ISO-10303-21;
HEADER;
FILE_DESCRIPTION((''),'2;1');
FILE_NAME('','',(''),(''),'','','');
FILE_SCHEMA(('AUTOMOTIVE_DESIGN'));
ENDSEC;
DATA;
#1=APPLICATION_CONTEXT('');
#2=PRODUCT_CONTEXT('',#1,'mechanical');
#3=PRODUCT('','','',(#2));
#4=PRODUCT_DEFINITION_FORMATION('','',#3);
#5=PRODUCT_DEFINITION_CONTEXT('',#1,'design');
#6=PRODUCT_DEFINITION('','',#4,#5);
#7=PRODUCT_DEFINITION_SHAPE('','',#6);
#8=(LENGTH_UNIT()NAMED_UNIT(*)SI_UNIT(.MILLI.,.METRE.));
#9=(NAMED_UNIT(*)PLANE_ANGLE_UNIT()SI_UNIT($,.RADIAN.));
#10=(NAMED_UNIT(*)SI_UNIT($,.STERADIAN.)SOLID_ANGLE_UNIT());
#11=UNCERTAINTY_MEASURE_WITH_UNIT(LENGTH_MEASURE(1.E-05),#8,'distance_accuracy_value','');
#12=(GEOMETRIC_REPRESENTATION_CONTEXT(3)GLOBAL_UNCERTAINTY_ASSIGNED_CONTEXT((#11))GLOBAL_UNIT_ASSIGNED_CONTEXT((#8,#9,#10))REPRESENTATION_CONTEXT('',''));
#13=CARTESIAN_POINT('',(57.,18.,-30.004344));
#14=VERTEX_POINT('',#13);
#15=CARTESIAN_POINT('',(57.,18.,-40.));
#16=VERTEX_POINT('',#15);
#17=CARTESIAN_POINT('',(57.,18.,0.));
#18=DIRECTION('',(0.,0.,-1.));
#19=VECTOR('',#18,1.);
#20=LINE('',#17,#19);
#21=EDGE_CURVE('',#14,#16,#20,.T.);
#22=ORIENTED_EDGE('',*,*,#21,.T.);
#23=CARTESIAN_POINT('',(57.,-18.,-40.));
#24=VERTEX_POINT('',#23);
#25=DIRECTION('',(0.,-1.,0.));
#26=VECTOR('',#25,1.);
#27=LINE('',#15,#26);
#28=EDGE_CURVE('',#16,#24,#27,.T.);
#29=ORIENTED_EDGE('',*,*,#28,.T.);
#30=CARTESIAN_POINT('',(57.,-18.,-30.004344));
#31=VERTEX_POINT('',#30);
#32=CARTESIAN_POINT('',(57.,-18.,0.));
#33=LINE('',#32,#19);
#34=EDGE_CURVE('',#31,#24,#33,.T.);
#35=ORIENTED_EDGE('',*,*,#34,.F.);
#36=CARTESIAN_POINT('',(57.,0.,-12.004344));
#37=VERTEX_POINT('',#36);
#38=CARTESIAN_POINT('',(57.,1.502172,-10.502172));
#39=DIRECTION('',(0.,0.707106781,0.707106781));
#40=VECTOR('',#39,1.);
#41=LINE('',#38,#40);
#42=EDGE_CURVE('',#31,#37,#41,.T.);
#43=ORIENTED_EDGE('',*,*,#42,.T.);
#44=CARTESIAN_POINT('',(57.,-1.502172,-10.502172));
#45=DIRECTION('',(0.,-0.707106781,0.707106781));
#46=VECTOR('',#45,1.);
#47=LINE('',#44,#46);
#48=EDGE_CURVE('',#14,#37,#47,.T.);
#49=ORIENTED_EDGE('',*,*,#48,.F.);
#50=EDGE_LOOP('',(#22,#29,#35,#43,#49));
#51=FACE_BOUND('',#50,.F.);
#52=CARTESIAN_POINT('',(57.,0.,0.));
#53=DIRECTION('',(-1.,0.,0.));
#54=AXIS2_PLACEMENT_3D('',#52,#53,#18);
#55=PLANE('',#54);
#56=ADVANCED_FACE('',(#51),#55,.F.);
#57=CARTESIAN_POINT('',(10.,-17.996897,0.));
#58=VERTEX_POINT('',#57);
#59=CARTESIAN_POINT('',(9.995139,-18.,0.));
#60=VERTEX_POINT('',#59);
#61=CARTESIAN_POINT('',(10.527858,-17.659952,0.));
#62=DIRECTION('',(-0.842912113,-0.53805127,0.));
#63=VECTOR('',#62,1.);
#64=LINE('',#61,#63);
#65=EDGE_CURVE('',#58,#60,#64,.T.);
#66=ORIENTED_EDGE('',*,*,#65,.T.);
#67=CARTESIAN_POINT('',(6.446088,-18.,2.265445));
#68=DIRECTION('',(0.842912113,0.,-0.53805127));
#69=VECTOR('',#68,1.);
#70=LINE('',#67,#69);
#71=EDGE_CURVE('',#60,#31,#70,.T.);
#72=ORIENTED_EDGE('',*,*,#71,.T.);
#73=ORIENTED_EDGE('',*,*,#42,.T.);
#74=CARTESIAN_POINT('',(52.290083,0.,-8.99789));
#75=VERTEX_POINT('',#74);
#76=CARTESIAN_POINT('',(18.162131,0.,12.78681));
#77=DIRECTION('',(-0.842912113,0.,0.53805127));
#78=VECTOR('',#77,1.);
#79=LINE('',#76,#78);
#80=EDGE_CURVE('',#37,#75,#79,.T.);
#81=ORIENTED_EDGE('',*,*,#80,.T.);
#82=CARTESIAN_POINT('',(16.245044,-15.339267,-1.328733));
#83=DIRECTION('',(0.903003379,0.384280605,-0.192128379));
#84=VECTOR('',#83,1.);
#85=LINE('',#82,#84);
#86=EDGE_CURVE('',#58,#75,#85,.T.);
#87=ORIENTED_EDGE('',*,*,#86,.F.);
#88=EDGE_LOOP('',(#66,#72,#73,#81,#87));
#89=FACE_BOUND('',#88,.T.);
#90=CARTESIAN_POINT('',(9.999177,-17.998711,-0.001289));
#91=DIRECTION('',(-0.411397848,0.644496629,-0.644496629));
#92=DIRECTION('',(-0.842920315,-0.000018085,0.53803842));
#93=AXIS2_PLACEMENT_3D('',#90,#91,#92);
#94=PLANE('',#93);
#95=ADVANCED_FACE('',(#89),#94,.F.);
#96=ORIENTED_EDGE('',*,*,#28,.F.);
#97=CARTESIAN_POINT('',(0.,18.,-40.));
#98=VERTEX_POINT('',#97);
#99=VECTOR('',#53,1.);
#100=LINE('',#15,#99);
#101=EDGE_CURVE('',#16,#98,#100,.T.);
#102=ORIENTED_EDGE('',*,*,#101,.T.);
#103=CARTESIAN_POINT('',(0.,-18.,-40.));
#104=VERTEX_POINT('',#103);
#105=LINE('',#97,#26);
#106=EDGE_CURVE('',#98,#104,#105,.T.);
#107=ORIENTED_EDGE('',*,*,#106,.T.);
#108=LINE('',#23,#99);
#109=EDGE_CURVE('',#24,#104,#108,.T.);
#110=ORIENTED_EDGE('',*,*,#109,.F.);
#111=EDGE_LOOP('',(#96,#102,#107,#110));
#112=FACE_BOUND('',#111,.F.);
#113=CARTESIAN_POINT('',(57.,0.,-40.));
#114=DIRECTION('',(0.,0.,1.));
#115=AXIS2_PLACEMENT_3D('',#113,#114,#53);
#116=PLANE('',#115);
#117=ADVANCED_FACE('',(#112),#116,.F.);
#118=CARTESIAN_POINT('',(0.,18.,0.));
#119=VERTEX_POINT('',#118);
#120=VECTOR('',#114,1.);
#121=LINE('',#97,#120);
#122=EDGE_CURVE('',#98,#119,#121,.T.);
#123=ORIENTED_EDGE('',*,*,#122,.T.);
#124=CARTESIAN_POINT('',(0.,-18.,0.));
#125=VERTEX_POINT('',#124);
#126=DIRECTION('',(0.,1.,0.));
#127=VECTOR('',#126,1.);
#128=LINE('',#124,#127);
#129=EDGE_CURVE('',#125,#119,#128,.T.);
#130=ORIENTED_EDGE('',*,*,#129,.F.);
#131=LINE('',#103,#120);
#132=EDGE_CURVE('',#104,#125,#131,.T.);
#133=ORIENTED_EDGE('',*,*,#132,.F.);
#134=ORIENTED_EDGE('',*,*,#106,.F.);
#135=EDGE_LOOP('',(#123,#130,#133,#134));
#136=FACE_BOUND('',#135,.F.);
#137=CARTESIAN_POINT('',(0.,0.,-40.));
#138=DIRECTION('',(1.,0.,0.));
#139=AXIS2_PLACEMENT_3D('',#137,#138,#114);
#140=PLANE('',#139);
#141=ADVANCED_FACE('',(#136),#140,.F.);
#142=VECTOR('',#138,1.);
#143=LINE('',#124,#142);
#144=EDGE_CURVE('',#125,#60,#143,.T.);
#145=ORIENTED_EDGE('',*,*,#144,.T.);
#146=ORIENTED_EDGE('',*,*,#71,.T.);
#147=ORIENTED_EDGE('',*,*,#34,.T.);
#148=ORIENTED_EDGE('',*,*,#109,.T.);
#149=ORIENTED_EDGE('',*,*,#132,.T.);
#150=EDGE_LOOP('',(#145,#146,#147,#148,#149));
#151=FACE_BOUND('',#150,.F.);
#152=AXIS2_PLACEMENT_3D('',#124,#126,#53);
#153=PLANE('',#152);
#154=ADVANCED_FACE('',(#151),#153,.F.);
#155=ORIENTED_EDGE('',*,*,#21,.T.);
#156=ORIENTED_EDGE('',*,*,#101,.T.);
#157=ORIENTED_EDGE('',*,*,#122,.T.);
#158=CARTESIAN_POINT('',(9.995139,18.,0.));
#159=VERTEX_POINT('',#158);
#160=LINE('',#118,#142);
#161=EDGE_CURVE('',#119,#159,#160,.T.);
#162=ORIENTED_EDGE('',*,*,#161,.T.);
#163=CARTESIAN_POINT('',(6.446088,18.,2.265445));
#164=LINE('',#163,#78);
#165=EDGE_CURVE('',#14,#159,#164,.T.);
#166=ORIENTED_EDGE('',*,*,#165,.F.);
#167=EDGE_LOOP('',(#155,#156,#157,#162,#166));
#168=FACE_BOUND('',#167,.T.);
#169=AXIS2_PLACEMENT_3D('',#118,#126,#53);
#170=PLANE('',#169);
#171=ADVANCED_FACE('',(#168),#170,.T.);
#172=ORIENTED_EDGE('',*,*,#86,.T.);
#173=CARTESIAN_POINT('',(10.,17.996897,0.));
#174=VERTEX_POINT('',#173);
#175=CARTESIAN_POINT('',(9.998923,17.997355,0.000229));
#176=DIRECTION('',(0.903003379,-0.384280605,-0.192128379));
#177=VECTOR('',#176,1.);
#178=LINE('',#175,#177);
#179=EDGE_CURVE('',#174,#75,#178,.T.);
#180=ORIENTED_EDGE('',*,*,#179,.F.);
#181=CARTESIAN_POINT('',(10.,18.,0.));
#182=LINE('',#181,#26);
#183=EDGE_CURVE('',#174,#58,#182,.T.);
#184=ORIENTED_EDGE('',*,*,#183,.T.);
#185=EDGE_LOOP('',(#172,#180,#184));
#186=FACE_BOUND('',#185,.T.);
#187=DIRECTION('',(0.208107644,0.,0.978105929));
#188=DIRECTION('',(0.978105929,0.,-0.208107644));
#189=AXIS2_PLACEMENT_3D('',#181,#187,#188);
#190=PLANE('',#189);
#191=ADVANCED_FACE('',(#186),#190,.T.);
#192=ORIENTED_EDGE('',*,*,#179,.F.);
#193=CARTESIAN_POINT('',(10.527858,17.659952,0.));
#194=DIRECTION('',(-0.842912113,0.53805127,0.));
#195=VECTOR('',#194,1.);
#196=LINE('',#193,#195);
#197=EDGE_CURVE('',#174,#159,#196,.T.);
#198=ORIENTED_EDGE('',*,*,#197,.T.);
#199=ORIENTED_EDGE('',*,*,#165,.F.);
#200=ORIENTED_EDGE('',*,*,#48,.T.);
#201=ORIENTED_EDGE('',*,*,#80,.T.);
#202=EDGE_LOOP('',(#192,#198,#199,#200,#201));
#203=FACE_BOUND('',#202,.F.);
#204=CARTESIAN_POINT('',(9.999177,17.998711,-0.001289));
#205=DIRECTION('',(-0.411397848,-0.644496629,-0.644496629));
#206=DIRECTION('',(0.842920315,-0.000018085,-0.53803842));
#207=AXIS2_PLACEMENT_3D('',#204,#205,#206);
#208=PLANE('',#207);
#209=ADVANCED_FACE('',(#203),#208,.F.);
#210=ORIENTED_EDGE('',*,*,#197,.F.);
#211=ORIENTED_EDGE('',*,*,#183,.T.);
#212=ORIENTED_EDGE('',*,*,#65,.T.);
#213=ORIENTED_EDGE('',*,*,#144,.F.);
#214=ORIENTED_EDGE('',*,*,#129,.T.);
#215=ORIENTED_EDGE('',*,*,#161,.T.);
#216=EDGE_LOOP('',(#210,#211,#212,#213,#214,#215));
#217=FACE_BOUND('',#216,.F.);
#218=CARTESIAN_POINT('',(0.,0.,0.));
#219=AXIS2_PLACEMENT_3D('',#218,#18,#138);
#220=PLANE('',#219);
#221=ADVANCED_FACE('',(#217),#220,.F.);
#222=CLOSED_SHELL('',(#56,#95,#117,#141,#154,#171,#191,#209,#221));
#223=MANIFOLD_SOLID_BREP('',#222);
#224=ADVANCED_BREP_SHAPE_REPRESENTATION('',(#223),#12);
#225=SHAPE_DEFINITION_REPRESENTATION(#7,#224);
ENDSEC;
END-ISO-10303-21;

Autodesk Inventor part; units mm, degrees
ref_plane "YZ Plane" through (0, 0, 0) normal (1, 0, 0) x (0, 1, 0)
ref_plane "XZ Plane" through (0, 0, 0) normal (0, 1, 0) x (-1, 0, 0)
sketch "草圖1" plane through (0, 0, 0) normal (0, 1, 0) x (-1, 0, 0)
  line L0 (0, 0) -> (-57, 0)
  line L1 (-57, 0) -> (-57, -40)
  line L2 (-57, -40) -> (0, -40)
  line L3 (0, -40) -> (0, 0)
  dimension "d0" = 57
  dimension "d1" = 40
extrude "擠出1" add sketch "草圖1" along normal mid plane 36
sketch "草圖2" plane through (0, 18, 0) normal (0, 1, 0) x (1, 0, 0)
  line L0 (0, 0) -> (57, 0) projected
  line L1 (10, 0) -> (57, 10)
  line L2 (57, 0) -> (57, 40) projected
  dimension "d4" = 10
  dimension "d5" = 30
extrude "擠出2" cut sketch "草圖2" against normal blind 40
sketch "草圖3" plane through (57, -18, -40) normal (1, 0, 0) x (0, 0, -1)
  line L0 (-30, 16) -> (-10, 36)
  line L1 (0, 36) -> (-40, 36) projected
  line L2 (-30, 36) -> (-30, 0) projected
  point P0 (-40, 18)
  dimension "d8" = 20
  dimension "d9" = 20
ref_plane "工作平面1" through (10, 18, 0) normal (-0.4114, -0.6445, -0.6445) x (0.8429, 0, -0.538)
sketch "草圖4" plane through (10, 18, 0) normal (-0.4114, -0.6445, -0.6445) x (0.8429, 0, -0.538)
  line L0 (-15.1543, -12.3218) -> (93.717, -12.3218)
  line L1 (93.717, -12.3218) -> (93.717, 28.8166)
  line L2 (93.717, 28.8166) -> (-15.1543, 28.8166)
  line L3 (-15.1543, 28.8166) -> (-15.1543, -12.3218)
  point P0 (-8.4292, 10.2952)
extrude "擠出3" cut sketch "草圖4" against normal blind 40
mirror "鏡射1" about plane through (0, 0, 0) normal (0, 1, 0) of "擠出3"
properties part number "12"
